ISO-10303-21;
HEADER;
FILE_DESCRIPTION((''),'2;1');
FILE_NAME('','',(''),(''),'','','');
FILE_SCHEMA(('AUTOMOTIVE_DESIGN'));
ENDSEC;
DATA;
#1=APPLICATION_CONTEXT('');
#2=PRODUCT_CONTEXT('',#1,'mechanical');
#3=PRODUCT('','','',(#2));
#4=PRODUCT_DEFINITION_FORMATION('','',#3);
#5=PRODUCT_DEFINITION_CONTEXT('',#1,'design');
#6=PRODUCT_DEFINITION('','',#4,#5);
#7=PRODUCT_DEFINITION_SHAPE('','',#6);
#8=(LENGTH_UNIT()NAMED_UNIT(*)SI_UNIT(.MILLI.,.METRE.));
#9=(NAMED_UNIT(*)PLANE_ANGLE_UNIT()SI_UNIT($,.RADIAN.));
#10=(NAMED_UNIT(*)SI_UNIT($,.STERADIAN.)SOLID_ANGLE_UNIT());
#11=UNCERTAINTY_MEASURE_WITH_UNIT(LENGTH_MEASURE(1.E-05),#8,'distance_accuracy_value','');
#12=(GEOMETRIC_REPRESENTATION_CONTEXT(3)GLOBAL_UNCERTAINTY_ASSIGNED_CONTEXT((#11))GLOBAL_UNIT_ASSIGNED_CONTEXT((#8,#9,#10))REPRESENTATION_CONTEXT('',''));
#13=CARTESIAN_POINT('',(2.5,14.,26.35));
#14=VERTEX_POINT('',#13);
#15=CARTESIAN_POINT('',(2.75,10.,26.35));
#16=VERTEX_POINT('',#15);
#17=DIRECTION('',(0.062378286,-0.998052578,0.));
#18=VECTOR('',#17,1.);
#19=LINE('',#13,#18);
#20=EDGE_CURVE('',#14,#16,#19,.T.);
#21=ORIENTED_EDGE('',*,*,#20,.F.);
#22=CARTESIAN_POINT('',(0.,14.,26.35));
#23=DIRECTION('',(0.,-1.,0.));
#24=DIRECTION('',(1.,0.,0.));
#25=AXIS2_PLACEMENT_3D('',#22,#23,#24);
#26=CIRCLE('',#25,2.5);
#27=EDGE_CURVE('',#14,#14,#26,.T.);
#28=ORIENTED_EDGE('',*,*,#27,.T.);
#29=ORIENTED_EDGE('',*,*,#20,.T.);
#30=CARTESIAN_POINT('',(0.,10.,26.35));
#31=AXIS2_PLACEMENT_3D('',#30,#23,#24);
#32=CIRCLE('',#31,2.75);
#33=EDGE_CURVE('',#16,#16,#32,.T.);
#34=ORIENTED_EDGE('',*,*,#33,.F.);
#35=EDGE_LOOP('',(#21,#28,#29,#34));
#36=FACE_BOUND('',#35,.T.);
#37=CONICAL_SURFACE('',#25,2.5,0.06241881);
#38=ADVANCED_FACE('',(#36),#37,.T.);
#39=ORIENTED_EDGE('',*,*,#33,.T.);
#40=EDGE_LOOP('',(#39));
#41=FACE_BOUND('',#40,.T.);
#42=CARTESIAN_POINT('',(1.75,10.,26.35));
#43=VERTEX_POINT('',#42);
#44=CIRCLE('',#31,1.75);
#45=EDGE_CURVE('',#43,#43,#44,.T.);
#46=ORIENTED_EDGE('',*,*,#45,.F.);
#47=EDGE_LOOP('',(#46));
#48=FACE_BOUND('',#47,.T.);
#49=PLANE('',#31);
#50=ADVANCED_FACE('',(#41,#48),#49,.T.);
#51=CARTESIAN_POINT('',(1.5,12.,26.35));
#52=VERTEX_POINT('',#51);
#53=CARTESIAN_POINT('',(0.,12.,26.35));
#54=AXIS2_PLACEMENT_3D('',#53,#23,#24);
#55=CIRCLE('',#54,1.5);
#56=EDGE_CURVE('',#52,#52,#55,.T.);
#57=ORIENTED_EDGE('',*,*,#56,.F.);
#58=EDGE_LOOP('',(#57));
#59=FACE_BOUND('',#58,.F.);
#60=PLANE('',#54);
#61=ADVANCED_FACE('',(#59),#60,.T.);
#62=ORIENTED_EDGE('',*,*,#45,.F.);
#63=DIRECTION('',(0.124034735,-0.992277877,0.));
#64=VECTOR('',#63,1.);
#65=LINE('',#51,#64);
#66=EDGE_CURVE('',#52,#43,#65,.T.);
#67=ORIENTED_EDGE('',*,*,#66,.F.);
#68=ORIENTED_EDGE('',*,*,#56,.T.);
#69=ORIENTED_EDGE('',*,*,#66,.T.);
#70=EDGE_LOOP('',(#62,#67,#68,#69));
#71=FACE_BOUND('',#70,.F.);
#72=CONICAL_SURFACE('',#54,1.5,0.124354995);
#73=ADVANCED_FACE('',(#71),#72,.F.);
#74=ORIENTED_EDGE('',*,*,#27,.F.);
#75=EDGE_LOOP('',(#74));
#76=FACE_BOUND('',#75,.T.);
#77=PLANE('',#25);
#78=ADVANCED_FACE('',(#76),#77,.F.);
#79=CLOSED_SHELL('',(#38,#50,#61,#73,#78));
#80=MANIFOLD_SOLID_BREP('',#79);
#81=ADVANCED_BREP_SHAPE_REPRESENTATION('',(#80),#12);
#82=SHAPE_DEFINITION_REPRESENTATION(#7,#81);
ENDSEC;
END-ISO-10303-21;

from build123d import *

# Parameters (mm, degrees)
CONE_ROLL_ANGLE    = 90
CONE001_ROLL_ANGLE = 90


with BuildPart() as cone:
    # Cone → Cone (revolve)
    with BuildSketch(Plane.XZ):
        Polygon((0, 0), (1.5, 0), (1.75, 2), (0, 2), align=None)
    revolve(axis=Axis((0, 0, 0), (0, 0, 1)))


with BuildPart() as cone_1:
    # Cone roll: moved
    add(cone.part.rotate(Axis((0, 0, 0), (1, 0, 0)), CONE_ROLL_ANGLE))


with BuildPart() as cone_2:
    # Cone placement: moved
    add(cone_1.part.moved(Location((0, 12, 26.35))))


with BuildPart() as switch_cap:
    # Cone001 → Cone001 (revolve)
    with BuildSketch(Plane.XZ):
        Polygon((0, 0), (2.5, 0), (2.75, 4), (0, 4), align=None)
    revolve(axis=Axis((0, 0, 0), (0, 0, 1)))


with BuildPart() as switch_cap_1:
    # Cone001 roll: moved
    add(switch_cap.part.rotate(Axis((0, 0, 0), (1, 0, 0)), CONE001_ROLL_ANGLE))


with BuildPart() as switch_cap_2:
    # Cone001 placement: moved
    add(switch_cap_1.part.moved(Location((0, 14, 26.35))))

    # Cut012: cut Cone
    add(cone_2.part, mode=Mode.SUBTRACT)


solid = switch_cap_2.part
